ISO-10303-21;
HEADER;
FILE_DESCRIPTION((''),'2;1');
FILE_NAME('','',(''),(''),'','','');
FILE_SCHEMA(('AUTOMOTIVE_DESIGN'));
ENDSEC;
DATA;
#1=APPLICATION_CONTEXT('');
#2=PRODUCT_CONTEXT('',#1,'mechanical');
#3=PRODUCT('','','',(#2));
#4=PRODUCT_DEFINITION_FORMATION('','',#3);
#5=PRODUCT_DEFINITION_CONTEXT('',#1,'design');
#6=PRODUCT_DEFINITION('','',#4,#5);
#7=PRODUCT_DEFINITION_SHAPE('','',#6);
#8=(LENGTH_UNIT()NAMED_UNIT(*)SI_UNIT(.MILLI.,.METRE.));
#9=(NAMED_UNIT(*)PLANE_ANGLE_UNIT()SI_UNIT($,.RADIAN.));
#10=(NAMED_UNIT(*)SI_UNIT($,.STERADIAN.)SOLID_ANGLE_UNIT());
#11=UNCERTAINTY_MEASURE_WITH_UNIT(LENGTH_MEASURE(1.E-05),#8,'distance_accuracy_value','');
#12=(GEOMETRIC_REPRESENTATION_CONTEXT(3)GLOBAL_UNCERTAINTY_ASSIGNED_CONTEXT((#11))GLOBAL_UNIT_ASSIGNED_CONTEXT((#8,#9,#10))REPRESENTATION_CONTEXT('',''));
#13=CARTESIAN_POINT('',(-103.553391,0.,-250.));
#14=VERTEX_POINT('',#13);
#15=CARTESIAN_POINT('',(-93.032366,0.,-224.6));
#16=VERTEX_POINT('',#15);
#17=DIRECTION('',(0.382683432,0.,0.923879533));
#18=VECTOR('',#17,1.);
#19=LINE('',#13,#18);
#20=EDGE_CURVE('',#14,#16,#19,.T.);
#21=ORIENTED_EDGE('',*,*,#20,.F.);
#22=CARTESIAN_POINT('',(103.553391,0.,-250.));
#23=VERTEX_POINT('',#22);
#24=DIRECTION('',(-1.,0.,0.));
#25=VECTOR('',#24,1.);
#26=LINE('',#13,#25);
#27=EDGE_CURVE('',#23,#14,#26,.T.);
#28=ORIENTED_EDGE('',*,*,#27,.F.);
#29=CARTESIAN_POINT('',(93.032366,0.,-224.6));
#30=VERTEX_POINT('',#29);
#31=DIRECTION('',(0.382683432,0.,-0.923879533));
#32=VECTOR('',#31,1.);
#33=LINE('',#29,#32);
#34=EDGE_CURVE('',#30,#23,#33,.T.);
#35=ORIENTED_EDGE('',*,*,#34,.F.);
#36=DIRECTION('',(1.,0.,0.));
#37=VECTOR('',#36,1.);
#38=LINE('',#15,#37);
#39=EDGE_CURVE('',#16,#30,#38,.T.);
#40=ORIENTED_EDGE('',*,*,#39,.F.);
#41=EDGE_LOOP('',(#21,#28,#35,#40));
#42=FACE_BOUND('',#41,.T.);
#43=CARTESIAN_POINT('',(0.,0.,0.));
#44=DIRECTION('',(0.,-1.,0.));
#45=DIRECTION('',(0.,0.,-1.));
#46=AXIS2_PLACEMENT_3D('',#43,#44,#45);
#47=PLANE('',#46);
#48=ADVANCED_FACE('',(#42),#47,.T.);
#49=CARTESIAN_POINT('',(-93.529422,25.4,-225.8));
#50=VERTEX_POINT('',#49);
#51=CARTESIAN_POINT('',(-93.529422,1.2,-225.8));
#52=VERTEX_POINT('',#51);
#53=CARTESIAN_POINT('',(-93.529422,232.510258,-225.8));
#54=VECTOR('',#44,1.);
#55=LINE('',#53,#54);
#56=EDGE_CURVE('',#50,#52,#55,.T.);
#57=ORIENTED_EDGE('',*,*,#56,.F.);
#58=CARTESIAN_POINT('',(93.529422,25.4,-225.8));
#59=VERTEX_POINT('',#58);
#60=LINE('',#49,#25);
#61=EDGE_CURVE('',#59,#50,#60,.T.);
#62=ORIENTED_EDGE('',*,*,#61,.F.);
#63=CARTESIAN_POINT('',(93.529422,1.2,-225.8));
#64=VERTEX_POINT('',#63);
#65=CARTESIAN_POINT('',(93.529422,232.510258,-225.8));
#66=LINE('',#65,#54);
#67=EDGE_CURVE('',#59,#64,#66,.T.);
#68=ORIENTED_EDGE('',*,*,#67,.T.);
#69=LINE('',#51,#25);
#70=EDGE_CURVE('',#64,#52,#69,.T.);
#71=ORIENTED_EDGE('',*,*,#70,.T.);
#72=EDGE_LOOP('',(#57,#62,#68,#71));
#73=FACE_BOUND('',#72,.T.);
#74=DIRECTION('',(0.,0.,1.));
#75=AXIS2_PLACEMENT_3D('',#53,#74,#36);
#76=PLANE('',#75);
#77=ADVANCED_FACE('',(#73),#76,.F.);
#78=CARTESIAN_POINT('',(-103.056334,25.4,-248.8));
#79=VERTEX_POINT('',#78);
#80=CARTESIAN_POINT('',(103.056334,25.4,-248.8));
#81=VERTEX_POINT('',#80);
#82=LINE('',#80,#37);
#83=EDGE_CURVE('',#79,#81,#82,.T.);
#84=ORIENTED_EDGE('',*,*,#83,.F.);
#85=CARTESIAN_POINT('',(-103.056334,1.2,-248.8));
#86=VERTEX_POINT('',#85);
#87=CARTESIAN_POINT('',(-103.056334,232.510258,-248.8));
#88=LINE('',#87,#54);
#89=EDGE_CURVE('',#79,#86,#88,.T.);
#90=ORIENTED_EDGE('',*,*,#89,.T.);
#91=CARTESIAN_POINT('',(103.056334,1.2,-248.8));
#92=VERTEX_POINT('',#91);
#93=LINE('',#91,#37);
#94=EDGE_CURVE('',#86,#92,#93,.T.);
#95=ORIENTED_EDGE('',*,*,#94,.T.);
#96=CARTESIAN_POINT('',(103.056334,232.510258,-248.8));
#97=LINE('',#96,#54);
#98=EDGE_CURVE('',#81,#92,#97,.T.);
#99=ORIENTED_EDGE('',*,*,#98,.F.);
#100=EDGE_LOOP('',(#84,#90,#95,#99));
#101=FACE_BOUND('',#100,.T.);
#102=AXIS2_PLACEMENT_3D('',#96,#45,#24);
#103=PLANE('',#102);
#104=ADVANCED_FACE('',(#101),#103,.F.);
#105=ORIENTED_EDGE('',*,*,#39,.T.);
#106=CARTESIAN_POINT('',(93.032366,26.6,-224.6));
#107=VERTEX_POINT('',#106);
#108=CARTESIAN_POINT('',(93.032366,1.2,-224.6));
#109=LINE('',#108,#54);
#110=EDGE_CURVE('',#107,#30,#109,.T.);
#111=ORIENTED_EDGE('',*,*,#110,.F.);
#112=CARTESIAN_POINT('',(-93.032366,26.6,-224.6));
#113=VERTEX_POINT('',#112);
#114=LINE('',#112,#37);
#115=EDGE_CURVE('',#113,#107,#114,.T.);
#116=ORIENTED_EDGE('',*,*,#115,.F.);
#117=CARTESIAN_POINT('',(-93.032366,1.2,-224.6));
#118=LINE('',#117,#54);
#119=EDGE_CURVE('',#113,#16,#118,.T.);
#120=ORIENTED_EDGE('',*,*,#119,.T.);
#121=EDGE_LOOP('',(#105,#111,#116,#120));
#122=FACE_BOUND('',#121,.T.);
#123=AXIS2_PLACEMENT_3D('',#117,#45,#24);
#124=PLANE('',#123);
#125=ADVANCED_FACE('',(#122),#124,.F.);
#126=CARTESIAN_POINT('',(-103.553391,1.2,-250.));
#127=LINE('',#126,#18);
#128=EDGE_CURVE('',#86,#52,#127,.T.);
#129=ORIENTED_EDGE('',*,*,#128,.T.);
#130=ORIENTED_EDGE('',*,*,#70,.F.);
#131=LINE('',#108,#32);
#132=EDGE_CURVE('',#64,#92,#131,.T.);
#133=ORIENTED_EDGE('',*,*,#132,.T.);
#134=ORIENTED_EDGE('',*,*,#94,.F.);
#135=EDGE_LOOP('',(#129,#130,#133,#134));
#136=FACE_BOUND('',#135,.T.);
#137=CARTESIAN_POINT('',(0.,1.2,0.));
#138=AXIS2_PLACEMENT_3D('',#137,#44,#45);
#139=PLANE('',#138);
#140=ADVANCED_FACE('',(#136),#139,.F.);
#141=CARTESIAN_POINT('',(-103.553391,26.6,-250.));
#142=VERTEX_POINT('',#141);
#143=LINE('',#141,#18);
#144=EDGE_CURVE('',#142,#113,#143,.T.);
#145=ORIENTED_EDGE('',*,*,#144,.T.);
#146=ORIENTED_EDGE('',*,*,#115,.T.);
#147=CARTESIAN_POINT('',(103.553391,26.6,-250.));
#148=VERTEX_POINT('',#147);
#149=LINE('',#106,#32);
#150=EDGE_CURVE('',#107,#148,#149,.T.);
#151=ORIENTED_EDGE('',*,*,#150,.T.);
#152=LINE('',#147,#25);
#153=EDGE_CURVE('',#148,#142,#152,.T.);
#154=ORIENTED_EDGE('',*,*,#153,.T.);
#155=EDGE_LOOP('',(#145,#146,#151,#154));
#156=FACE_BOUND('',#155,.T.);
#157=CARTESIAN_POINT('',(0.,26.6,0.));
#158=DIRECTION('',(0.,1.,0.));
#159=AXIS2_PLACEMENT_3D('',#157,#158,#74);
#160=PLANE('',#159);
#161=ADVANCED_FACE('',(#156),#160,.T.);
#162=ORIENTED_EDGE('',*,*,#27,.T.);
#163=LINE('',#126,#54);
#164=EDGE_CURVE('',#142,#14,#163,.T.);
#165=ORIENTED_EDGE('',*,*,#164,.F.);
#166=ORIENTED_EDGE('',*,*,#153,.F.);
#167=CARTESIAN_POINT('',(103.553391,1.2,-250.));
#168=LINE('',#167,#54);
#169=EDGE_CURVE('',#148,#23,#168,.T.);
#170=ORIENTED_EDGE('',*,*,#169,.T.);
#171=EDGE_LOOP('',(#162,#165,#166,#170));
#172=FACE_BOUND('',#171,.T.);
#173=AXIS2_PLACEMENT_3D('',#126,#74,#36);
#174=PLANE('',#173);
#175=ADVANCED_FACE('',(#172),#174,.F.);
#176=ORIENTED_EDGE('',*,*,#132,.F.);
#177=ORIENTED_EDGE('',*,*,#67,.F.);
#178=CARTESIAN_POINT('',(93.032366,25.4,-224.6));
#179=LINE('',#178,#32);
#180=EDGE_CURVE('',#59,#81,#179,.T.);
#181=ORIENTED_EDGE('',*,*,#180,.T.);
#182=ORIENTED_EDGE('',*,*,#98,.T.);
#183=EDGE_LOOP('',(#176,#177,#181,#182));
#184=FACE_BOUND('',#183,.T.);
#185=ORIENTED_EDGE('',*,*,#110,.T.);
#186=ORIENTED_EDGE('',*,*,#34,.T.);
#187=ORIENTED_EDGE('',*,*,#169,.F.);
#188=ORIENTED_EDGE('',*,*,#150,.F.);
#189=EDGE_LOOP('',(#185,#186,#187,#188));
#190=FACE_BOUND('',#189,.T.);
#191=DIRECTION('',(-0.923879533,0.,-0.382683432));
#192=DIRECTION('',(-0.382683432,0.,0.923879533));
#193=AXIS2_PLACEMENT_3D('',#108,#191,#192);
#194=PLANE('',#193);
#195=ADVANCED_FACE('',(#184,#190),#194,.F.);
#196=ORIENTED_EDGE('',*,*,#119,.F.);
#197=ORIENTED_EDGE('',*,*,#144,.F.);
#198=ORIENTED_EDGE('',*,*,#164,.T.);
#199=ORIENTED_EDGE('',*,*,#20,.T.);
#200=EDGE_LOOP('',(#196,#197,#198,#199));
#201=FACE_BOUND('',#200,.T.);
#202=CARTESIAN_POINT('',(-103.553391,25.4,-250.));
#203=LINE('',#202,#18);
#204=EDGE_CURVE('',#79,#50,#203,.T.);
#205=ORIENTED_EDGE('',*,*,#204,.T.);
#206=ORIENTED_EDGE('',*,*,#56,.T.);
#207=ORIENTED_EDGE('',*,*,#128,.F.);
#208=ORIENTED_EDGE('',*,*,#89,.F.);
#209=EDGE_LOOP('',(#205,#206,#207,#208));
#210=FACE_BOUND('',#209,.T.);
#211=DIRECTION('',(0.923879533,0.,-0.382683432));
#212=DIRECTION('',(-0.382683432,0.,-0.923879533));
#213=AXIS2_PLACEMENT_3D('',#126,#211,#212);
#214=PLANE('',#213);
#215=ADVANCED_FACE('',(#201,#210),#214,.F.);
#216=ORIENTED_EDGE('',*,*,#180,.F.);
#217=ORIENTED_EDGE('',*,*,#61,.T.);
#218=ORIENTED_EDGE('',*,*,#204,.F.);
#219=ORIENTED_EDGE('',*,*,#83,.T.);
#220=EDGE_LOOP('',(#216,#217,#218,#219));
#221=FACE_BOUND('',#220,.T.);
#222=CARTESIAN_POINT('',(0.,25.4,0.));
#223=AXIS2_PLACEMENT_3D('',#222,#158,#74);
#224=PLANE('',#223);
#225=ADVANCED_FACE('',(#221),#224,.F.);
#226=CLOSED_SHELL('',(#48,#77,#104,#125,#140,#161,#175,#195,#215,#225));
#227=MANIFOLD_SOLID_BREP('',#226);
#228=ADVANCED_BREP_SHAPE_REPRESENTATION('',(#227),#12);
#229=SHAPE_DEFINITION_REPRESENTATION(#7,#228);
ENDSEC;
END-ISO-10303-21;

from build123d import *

# Parameters (mm, degrees)
BOSS_EXTRUDE1_DEPTH = 1.2
BOSS_EXTRUDE2_START = 25.4
BOSS_EXTRUDE2_DEPTH = 1.2
BOSS_EXTRUDE3_DEPTH = 24.2


with BuildPart() as part:
    # Sketch1 → Boss-Extrude1 (new body)
    with BuildSketch(Plane(origin=(0, 0, 0), x_dir=(1, 0, 0), z_dir=(0, 1, 0))):
        Polygon((-103.553390593, 250), (-93.032366109, 224.6), (93.032366109, 224.6), (103.553390593, 250), align=None)
    extrude(amount=BOSS_EXTRUDE1_DEPTH)



with BuildPart() as body_2:
    # Sketch2 → Boss-Extrude2 (new body)
    with BuildSketch(Plane(origin=(0, 1.2, 0), x_dir=(1, 0, 0), z_dir=(0, 1, 0)).offset(BOSS_EXTRUDE2_START)):
        Polygon((93.032366109, 224.6), (103.553390593, 250), (-103.553390593, 250), (-93.032366109, 224.6), align=None)
    extrude(amount=-BOSS_EXTRUDE2_DEPTH)


with BuildPart() as part_1:
    add(part.part)

    add(body_2.part)  # Boss-Extrude3 merges body 2
    # Sketch3 → Boss-Extrude3 (add)
    with BuildSketch(Plane(origin=(0, 1.2, 0), x_dir=(1, 0, 0), z_dir=(0, 1, 0))):
        Polygon((93.032366109, 224.6), (93.529422384, 225.8), (-93.529422384, 225.8), (-93.032366109, 224.6), align=None)
        Polygon((-103.553390593, 250), (-103.056334318, 248.8), (103.056334318, 248.8), (103.553390593, 250), align=None)
    extrude(amount=BOSS_EXTRUDE3_DEPTH)


solid = part_1.part
